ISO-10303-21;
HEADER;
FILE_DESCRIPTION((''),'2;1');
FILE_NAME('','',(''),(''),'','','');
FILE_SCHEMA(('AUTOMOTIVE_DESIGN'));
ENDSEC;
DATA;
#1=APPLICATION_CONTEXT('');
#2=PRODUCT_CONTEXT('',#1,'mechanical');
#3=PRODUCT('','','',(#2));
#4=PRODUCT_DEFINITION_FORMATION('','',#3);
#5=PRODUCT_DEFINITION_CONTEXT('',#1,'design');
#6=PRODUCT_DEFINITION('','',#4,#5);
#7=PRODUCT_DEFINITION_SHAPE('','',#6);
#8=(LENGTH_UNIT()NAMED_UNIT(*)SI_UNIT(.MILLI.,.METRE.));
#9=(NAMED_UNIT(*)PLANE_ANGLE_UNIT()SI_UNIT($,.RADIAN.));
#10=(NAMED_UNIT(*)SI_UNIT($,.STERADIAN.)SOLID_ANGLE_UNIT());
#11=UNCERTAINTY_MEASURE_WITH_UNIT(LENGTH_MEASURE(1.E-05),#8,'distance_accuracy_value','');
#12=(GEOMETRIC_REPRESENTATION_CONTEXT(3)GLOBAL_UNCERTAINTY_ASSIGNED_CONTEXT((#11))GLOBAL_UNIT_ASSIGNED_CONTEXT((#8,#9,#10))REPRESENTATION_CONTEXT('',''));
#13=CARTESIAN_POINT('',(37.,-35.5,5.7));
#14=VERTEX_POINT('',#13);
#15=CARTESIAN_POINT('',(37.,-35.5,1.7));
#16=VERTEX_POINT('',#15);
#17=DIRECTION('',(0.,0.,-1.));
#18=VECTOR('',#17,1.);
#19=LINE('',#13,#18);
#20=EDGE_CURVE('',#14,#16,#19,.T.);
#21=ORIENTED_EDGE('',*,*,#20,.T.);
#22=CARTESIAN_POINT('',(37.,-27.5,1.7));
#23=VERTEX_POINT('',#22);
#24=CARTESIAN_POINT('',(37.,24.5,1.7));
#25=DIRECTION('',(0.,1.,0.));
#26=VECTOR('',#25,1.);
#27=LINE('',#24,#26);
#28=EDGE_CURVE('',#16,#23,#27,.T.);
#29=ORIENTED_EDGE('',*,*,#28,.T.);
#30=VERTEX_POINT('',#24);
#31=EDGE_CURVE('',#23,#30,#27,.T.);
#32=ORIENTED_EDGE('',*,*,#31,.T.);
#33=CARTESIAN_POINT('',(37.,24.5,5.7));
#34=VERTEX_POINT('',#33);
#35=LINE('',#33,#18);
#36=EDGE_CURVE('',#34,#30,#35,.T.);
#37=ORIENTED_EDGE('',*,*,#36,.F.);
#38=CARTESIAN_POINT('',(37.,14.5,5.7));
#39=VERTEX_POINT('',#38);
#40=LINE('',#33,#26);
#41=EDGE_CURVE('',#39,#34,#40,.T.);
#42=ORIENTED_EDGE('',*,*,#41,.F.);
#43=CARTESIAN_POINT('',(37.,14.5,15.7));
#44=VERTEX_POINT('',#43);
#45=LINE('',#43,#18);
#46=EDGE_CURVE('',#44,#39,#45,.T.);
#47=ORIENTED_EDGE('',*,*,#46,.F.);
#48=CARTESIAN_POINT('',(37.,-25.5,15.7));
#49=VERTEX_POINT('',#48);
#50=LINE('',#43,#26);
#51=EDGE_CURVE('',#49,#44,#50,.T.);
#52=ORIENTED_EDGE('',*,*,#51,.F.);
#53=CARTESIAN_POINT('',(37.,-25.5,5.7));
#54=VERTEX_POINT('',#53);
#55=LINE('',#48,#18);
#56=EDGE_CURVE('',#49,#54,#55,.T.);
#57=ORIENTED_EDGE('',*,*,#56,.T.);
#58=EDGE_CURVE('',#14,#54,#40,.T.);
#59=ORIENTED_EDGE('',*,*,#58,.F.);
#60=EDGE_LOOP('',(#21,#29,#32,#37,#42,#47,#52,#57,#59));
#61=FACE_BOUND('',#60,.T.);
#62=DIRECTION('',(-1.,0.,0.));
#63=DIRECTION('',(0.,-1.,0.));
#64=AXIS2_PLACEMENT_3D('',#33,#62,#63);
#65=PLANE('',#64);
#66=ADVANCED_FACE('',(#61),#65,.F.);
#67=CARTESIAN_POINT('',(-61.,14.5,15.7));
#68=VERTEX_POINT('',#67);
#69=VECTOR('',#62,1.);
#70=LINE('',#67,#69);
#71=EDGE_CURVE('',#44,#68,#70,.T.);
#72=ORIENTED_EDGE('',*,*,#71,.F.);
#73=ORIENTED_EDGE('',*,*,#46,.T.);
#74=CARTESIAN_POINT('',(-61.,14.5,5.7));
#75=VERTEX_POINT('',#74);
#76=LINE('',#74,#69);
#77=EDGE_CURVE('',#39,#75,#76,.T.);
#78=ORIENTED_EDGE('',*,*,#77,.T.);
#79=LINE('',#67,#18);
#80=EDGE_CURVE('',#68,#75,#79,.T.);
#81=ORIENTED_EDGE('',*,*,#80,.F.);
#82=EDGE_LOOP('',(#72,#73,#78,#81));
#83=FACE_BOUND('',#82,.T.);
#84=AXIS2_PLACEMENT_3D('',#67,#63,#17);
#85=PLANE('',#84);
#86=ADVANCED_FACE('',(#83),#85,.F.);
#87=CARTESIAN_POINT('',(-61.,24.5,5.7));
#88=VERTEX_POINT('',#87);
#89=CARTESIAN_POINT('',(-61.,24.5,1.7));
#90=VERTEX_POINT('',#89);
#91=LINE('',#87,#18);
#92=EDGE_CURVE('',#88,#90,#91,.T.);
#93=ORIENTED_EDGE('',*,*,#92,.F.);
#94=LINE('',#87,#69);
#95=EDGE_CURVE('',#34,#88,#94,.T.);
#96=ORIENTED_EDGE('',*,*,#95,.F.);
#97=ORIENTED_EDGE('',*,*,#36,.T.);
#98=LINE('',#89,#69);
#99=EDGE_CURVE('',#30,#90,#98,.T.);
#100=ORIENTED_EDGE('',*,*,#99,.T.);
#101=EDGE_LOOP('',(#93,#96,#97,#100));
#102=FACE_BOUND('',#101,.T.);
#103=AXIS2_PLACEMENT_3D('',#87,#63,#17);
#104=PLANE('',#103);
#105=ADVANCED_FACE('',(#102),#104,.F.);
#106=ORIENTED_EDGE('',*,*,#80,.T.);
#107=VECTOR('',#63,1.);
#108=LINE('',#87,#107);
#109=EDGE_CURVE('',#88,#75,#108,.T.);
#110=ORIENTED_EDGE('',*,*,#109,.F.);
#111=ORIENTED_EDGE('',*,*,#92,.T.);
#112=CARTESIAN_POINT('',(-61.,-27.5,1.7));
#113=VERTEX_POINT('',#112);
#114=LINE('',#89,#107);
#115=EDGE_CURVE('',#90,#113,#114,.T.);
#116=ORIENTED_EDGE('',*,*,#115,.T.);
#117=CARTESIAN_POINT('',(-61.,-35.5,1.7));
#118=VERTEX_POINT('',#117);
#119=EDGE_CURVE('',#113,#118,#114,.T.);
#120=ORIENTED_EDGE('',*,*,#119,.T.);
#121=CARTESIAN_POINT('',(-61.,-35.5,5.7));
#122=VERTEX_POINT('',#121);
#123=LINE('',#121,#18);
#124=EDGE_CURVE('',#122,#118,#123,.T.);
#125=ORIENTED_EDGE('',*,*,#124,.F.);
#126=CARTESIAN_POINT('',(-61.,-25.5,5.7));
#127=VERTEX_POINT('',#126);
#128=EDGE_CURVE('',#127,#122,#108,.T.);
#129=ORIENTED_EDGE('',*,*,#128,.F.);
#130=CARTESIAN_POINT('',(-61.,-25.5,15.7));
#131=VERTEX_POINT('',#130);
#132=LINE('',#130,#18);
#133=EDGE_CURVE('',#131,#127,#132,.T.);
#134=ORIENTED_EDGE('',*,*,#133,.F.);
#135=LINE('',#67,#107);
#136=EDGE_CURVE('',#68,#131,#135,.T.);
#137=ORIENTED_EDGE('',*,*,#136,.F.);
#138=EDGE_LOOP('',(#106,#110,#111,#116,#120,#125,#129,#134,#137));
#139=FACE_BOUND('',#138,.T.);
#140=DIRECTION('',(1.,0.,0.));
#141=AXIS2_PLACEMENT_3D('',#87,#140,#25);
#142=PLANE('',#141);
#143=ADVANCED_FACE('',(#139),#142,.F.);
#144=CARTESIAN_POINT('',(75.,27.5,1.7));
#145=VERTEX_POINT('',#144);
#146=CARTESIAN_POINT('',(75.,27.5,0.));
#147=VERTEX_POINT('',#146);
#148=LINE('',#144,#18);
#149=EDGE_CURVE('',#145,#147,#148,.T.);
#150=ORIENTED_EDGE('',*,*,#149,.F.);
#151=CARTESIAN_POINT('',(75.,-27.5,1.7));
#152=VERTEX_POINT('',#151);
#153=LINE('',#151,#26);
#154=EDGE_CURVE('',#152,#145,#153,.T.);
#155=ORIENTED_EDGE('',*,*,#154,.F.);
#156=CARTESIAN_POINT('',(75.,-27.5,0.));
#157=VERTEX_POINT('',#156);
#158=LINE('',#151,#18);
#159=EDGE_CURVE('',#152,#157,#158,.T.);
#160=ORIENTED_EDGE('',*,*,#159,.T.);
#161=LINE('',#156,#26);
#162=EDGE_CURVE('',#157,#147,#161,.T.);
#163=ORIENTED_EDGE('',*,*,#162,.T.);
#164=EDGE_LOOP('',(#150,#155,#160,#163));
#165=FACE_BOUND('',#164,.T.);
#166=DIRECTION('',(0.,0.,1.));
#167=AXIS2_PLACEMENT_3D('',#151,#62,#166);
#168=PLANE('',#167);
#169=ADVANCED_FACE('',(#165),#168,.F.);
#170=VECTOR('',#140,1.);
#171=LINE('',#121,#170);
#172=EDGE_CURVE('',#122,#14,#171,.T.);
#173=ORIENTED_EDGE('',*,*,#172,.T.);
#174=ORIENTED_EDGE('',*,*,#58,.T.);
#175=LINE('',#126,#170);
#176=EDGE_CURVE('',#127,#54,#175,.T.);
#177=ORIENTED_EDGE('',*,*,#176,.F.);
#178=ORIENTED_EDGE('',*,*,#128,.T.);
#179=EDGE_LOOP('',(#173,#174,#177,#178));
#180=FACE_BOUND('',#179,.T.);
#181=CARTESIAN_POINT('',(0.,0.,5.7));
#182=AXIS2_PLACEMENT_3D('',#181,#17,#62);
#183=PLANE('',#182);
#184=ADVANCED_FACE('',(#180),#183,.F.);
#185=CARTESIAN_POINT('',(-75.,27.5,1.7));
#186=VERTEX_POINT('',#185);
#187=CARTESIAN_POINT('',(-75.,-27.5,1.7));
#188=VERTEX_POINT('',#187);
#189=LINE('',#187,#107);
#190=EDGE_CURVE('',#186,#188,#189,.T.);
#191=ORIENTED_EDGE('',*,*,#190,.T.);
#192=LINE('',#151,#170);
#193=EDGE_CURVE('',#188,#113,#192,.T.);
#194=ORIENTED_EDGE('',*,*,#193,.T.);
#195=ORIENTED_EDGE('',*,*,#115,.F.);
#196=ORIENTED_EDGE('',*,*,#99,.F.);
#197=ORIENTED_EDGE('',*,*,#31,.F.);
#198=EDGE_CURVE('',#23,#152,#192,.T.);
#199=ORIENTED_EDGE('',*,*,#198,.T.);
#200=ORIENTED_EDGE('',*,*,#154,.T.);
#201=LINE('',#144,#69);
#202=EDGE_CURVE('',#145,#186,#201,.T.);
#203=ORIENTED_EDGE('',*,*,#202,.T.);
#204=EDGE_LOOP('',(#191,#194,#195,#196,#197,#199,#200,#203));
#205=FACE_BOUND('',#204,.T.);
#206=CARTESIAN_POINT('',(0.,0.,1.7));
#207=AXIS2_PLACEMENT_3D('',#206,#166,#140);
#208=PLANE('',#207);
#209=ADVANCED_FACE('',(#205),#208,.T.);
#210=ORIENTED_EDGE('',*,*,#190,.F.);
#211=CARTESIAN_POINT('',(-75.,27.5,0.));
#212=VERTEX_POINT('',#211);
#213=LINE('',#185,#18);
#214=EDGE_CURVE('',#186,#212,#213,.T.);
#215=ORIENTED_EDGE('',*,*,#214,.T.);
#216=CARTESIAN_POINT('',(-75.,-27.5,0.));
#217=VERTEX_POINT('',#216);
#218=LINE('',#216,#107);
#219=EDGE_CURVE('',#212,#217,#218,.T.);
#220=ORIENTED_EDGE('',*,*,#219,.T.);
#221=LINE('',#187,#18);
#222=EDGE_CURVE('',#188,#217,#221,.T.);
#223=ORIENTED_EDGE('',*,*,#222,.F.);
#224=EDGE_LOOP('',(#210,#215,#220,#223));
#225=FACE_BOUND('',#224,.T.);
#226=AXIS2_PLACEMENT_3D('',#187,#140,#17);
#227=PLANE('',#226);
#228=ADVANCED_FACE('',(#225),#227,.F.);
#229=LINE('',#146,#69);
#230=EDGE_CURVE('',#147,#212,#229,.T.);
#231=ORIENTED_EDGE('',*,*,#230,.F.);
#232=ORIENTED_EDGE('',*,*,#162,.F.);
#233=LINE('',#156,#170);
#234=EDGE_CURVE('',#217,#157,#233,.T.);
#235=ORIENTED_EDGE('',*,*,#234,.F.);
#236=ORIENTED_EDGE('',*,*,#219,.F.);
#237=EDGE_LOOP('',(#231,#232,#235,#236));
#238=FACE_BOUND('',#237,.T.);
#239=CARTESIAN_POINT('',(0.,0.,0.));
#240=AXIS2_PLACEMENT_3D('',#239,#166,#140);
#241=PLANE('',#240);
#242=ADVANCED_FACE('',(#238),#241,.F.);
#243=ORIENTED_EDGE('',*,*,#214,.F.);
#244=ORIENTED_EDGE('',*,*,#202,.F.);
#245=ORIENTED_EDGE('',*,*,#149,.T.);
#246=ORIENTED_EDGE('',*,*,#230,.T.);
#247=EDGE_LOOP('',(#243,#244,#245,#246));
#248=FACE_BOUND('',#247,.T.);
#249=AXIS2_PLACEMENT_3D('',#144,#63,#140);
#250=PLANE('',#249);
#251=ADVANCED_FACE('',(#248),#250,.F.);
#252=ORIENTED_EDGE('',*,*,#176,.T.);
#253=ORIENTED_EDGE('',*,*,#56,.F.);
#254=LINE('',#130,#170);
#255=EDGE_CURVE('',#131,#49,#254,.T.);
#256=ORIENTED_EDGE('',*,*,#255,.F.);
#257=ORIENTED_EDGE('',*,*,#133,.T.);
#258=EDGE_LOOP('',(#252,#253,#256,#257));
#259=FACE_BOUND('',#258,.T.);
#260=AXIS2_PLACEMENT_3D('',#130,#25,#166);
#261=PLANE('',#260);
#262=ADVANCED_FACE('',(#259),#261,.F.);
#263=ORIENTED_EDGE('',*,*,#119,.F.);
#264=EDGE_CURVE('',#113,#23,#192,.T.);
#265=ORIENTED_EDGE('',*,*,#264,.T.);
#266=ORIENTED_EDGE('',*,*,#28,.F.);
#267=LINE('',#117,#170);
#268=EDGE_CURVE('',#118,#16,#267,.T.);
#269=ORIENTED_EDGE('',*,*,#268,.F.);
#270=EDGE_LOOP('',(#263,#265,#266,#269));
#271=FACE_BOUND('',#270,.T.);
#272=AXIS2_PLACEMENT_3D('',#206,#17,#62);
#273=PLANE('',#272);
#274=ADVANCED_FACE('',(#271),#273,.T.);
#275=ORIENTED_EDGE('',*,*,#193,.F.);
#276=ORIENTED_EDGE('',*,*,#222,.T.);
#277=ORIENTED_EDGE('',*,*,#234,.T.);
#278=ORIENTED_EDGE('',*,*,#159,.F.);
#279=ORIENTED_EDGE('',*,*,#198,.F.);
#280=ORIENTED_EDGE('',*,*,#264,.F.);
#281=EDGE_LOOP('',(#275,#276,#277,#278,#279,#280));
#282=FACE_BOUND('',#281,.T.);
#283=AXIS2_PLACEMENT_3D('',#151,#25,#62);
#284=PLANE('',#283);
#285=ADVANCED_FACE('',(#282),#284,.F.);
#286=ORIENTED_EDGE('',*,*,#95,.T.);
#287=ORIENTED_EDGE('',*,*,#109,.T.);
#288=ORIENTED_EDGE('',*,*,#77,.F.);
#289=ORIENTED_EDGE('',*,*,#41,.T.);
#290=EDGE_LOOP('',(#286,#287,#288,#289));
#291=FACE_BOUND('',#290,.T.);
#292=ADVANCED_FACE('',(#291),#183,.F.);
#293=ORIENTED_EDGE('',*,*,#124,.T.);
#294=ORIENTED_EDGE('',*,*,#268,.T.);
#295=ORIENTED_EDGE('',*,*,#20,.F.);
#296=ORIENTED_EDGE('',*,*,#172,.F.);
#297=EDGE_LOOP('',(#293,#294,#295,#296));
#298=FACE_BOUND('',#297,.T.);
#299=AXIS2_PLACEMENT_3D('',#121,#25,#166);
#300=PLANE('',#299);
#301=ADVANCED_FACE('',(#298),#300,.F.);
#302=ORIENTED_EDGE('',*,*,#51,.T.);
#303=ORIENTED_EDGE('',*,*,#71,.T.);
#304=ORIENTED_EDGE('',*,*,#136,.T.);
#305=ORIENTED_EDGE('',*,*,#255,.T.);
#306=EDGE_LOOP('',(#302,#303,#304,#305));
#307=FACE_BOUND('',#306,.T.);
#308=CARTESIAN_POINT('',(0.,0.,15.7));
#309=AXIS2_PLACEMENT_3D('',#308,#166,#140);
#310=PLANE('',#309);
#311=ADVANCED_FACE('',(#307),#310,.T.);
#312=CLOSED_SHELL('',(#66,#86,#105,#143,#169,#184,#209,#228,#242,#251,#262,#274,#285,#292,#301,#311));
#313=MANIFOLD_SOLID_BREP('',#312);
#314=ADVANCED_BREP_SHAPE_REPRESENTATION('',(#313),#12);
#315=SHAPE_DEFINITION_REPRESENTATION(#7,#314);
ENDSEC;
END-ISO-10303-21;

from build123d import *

# Parameters (mm, degrees)
SCHIZZO1_W                   = 150
SCHIZZO1_H                   = 55
ESTRUSIONE_ESTRUSIONE1_DEPTH = 1.7
SCHIZZO2_W                   = 98
SCHIZZO2_H                   = 60
ESTRUSIONE_ESTRUSIONE2_DEPTH = 4
SCHIZZO3_W                   = 98
SCHIZZO3_H                   = 40
ESTRUSIONE_ESTRUSIONE3_DEPTH = 10


with BuildPart() as part:
    # Schizzo1 → Estrusione-Estrusione1 (new body)
    with BuildSketch(Plane.XY):
        Rectangle(SCHIZZO1_W, SCHIZZO1_H)
    extrude(amount=ESTRUSIONE_ESTRUSIONE1_DEPTH)

    # Schizzo2 → Estrusione-Estrusione2 (add)
    with BuildSketch(Plane.XY.offset(1.7)):
        with Locations((-12, -5.5)):
            Rectangle(SCHIZZO2_W, SCHIZZO2_H)
    extrude(amount=ESTRUSIONE_ESTRUSIONE2_DEPTH)

    # Schizzo3 → Estrusione-Estrusione3 (add)
    with BuildSketch(Plane.XY.offset(5.7)):
        with Locations((-12, -5.5)):
            Rectangle(SCHIZZO3_W, SCHIZZO3_H)
    extrude(amount=ESTRUSIONE_ESTRUSIONE3_DEPTH)


solid = part.part
